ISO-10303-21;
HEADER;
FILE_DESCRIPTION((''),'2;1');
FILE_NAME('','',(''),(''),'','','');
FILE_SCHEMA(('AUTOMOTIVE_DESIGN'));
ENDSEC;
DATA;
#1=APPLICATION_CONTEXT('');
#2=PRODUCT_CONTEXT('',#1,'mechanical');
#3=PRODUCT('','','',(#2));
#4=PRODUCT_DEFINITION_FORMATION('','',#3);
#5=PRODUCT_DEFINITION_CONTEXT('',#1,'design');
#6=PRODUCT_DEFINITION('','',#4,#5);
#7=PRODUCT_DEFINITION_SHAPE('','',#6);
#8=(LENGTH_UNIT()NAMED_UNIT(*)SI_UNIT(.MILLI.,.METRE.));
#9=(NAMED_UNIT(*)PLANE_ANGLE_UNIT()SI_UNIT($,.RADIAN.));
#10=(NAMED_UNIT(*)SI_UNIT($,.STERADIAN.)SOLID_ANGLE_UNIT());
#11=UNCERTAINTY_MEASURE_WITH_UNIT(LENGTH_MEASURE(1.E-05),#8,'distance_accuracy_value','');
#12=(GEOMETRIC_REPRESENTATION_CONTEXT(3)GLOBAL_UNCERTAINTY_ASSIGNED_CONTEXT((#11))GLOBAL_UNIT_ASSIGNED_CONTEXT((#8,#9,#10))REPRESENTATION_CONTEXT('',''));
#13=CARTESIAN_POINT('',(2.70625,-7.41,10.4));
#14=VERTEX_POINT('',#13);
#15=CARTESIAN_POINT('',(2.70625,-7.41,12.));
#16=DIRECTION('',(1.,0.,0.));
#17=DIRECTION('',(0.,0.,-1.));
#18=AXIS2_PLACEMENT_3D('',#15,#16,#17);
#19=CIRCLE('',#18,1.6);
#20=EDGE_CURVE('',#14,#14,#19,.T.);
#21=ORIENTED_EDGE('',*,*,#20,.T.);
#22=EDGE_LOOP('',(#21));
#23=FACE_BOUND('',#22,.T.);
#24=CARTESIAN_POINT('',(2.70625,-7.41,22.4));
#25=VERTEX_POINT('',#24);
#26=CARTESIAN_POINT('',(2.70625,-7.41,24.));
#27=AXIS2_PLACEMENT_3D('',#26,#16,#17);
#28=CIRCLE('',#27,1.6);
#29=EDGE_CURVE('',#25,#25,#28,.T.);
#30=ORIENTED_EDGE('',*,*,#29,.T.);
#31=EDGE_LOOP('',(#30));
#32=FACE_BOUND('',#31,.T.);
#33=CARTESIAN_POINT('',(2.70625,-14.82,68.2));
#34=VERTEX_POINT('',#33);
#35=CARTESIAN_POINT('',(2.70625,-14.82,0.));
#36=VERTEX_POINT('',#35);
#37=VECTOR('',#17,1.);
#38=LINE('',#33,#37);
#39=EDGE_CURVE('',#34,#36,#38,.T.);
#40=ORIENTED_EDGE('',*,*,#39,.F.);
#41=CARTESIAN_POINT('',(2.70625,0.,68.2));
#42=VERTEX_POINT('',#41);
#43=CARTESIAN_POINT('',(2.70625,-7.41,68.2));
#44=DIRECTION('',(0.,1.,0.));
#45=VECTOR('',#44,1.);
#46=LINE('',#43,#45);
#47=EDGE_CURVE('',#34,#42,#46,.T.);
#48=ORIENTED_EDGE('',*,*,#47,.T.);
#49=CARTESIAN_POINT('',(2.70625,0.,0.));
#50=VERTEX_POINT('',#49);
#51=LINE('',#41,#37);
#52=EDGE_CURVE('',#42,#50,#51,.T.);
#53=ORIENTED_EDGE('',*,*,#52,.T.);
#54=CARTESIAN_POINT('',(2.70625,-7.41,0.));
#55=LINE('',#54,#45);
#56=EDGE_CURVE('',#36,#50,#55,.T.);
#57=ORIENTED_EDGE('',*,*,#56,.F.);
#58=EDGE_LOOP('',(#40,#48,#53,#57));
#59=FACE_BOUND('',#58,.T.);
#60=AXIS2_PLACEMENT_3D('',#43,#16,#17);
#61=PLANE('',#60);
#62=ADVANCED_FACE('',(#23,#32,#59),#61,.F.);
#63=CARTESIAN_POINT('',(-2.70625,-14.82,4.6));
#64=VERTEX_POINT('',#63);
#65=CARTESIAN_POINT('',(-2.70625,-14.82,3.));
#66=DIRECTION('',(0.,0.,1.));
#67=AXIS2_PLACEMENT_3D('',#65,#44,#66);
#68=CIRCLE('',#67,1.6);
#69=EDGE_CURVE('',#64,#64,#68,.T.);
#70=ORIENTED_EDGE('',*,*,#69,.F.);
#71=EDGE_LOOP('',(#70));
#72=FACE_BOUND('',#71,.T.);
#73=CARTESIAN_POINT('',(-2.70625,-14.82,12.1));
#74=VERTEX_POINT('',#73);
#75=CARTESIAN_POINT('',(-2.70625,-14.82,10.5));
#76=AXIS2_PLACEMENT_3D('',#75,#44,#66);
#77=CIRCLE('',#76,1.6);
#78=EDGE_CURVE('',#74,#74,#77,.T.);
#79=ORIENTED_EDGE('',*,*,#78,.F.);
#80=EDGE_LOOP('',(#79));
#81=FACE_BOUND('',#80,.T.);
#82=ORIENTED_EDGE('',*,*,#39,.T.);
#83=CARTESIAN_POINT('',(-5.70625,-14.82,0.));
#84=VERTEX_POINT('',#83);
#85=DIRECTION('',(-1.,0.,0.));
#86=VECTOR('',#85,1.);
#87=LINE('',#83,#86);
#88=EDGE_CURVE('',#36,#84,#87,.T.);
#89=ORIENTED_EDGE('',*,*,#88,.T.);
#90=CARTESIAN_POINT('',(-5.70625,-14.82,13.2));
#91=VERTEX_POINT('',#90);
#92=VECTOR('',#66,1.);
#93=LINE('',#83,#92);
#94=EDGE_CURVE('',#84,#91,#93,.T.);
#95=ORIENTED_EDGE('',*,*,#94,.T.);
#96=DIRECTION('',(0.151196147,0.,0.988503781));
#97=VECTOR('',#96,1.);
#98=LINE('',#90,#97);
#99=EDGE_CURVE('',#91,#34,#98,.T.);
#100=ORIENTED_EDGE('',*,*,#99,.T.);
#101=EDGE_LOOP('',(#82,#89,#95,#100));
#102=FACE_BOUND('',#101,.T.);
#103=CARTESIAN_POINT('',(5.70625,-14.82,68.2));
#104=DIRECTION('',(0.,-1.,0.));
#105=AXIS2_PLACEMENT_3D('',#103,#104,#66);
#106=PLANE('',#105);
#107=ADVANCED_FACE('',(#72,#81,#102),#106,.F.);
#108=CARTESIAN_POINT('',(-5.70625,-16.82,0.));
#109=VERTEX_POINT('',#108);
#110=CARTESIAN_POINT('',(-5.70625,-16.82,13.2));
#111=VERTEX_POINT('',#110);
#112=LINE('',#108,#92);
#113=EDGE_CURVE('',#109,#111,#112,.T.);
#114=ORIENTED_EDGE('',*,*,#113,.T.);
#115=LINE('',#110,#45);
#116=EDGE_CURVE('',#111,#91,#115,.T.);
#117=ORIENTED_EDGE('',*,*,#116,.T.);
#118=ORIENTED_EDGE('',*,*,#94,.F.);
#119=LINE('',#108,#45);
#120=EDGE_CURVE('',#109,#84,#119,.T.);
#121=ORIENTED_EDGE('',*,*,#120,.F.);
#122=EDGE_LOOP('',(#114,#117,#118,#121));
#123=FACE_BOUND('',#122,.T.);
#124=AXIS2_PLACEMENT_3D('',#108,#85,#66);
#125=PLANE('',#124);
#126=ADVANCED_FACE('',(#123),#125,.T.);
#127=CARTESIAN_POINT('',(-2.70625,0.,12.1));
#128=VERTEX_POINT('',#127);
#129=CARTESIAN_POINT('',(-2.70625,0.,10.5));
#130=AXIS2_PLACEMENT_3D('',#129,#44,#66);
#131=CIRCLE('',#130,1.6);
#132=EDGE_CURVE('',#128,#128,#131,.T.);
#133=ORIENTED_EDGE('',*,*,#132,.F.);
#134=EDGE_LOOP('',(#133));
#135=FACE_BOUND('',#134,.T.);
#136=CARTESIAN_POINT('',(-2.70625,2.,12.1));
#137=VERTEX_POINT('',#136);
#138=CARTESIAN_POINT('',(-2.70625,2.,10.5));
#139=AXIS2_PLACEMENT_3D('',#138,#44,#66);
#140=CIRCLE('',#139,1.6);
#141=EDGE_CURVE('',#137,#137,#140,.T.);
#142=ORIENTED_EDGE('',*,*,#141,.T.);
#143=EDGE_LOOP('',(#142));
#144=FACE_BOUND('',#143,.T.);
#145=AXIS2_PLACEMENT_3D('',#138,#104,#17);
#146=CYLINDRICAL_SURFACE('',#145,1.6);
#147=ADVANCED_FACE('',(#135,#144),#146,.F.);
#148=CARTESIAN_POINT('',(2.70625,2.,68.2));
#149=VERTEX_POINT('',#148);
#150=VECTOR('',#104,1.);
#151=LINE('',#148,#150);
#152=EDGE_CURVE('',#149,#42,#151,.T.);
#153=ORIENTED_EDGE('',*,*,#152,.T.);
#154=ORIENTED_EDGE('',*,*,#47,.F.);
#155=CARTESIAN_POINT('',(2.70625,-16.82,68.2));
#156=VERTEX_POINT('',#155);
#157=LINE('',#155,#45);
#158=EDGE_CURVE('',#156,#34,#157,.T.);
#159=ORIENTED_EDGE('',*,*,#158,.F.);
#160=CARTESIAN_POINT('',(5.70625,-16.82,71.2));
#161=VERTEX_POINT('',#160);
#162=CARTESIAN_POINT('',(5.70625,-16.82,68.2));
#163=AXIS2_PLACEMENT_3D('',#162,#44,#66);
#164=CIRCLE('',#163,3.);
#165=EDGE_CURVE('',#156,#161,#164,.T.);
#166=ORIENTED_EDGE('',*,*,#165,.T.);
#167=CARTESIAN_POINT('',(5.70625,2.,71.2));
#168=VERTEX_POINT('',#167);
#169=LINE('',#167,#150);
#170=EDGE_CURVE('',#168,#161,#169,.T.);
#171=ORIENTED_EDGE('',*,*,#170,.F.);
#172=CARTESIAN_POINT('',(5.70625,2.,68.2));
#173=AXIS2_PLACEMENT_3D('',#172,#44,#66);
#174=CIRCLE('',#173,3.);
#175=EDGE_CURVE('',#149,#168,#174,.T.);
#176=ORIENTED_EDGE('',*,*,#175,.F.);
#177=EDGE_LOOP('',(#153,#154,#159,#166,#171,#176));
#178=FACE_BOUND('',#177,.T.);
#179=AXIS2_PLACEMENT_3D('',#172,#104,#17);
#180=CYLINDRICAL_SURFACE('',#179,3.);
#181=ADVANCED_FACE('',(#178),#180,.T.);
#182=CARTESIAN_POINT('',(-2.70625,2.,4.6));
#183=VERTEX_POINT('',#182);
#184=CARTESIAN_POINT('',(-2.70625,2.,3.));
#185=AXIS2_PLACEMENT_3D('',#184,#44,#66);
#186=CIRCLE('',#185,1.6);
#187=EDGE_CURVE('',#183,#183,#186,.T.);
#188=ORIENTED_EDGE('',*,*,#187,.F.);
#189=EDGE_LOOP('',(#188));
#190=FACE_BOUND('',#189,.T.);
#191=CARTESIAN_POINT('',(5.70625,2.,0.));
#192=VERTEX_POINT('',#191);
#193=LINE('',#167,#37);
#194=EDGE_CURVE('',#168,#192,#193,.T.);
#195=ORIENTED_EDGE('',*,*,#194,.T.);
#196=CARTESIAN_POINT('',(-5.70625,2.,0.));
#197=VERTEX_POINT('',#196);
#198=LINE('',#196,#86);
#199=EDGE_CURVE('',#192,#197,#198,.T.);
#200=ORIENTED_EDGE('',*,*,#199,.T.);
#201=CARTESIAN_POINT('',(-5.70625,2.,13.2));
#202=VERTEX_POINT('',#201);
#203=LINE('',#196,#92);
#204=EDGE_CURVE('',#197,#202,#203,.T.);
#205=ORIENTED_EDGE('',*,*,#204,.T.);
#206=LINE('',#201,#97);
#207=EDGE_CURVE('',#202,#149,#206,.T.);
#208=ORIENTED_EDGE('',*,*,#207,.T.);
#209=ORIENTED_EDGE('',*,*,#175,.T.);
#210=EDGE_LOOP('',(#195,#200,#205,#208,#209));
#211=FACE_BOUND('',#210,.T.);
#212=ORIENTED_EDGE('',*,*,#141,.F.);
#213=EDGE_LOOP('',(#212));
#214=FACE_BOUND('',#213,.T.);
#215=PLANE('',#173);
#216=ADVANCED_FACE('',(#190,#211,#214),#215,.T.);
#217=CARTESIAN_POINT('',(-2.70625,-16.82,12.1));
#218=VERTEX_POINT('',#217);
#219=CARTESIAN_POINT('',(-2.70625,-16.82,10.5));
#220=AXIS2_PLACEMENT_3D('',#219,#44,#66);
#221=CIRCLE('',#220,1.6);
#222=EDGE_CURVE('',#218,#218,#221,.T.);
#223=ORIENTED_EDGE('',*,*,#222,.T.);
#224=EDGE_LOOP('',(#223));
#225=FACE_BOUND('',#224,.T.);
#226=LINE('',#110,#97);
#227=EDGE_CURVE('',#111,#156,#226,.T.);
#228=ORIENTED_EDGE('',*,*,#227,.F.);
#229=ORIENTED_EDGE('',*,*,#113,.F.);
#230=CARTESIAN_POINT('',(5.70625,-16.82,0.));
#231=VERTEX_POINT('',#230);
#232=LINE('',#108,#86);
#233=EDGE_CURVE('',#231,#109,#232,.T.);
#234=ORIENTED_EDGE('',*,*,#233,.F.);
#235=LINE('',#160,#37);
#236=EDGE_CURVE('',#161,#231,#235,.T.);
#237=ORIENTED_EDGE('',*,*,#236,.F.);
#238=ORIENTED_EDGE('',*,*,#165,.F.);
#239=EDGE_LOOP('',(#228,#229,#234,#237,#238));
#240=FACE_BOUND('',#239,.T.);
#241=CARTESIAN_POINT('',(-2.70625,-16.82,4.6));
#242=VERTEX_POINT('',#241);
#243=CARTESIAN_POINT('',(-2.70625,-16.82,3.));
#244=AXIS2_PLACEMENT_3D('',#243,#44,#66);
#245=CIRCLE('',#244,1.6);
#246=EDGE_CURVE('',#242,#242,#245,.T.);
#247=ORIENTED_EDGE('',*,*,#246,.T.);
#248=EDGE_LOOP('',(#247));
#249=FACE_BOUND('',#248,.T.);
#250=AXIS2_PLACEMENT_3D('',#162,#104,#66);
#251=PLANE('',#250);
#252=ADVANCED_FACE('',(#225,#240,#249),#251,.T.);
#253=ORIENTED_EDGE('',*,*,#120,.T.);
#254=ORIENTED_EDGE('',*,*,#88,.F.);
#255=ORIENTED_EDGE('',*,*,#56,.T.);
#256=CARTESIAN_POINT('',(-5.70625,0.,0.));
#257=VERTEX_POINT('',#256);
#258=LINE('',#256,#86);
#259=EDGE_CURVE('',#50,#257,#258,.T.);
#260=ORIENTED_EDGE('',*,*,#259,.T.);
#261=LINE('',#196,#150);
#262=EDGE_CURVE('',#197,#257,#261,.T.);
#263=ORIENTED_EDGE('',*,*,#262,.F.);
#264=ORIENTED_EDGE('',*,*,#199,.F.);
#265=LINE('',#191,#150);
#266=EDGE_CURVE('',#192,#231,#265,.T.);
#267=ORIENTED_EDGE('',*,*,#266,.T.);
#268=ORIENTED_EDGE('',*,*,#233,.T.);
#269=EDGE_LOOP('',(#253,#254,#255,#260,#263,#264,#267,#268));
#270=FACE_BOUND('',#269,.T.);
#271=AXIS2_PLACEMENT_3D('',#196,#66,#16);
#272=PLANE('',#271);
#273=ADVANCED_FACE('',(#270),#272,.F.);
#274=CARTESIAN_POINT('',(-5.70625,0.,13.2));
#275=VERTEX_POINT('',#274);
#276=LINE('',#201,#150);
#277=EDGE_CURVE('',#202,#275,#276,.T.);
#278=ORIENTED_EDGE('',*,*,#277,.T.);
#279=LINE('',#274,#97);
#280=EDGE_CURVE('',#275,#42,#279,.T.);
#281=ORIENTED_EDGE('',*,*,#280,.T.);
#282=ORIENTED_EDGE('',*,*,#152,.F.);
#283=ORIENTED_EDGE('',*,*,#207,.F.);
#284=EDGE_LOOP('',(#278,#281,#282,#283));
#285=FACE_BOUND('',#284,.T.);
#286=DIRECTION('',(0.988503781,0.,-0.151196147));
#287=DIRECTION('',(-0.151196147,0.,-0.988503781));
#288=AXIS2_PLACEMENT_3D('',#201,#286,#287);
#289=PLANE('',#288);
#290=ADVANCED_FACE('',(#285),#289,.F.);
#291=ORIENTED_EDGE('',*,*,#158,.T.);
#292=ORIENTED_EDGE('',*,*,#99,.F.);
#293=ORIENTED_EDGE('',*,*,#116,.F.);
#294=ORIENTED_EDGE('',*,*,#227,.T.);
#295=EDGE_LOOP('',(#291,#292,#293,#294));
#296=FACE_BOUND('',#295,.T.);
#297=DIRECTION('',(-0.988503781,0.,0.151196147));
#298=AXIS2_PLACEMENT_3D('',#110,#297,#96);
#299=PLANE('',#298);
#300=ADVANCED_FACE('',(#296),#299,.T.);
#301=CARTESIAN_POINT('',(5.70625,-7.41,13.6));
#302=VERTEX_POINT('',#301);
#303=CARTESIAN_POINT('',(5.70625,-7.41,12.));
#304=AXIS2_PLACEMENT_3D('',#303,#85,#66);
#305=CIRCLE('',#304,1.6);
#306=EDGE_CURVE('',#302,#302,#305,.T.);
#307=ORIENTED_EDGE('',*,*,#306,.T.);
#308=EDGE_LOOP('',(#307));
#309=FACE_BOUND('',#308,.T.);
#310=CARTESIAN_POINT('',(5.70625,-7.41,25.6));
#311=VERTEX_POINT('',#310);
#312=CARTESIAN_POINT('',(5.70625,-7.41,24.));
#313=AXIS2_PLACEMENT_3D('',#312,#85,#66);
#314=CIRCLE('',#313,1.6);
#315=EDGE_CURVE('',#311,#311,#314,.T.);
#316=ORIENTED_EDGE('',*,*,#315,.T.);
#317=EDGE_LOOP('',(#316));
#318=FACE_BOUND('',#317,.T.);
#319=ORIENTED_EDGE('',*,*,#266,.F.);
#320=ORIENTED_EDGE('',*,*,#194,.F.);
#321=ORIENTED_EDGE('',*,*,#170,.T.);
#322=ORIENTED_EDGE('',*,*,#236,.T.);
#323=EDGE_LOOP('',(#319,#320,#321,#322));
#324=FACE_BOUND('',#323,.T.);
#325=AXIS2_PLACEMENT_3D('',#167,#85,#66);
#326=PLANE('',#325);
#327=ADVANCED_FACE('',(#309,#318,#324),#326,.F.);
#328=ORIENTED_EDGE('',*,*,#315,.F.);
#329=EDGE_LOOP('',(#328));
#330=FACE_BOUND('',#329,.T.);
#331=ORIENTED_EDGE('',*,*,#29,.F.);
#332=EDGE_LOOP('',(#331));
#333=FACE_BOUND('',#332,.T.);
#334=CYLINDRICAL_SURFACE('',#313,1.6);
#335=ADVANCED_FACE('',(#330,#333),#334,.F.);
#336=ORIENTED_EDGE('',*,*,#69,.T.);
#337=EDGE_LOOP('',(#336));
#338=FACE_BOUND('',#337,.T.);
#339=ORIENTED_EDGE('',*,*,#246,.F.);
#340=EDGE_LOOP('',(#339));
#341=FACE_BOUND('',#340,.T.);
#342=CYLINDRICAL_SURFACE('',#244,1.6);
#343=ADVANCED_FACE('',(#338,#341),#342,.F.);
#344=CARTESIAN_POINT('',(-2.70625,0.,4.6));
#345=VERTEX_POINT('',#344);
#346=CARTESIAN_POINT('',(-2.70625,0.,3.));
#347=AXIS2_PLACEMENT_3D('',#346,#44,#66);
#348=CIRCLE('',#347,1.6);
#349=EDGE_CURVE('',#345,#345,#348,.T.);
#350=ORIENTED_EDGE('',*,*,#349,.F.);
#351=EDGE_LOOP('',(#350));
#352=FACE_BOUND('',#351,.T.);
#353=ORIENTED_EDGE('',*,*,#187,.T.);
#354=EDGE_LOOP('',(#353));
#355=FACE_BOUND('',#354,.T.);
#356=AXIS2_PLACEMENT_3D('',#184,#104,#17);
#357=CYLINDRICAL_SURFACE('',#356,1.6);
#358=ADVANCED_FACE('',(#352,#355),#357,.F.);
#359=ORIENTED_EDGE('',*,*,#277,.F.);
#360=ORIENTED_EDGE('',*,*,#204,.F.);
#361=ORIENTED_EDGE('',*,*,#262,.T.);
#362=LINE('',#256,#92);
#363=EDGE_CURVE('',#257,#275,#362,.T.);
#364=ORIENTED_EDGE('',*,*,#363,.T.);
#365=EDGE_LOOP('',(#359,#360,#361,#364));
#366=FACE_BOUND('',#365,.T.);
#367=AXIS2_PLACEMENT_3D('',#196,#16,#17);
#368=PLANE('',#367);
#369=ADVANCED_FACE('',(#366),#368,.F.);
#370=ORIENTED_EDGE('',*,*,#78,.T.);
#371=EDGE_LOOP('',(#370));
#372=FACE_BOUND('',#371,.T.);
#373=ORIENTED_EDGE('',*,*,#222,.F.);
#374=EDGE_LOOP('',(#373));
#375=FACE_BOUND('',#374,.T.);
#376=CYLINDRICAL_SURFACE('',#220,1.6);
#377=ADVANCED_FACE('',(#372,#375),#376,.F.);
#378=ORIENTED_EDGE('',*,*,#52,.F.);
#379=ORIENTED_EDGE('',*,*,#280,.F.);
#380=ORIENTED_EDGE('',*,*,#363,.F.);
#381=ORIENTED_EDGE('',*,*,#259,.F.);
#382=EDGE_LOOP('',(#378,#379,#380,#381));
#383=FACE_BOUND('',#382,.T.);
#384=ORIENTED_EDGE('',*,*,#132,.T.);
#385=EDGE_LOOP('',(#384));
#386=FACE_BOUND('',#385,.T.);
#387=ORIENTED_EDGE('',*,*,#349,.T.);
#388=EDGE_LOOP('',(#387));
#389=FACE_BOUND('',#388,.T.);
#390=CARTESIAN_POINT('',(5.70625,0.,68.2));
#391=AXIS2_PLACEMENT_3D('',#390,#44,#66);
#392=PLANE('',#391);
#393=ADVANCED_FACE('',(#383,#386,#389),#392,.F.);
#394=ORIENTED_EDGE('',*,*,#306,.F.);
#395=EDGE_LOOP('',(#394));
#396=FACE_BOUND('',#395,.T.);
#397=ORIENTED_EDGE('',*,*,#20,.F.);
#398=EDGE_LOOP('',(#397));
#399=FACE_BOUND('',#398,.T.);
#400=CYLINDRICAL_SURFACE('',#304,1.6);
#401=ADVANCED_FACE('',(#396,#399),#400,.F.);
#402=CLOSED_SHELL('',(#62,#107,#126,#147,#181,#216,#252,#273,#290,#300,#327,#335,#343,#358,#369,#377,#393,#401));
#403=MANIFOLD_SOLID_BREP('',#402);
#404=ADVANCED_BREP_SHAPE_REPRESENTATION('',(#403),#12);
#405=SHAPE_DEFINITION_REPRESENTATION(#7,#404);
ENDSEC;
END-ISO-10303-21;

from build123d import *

# Parameters (mm, degrees)
SKETCH1_R               = 1.6
BOSS_EXTRUDE1_DEPTH     = 2
BOSS_EXTRUDE2_START     = 7.41
BOSS_EXTRUDE2_DEPTH     = 7.41
CUT_EXTRUDE1_DEPTH      = 74.641853292
CUT_EXTRUDE1_DEPTH_BACK = 74.641853292
SKETCH3_R               = 1.6


with BuildPart() as part:
    # Sketch1 → Boss-Extrude1 (new body)
    with BuildSketch(Plane(origin=(0, 0, 0), x_dir=(1, 0, 0), z_dir=(0, 1, 0))):
        with BuildLine():
            Line((-5.70625, 0), (5.70625, 0))
            Line((5.70625, 0), (5.70625, -71.2))
            ThreePointArc((5.70625, -71.2), (3.584929656, -70.321320344), (2.70625, -68.2))
            Line((2.70625, -68.2), (-5.70625, -13.2))
            Line((-5.70625, -13.2), (-5.70625, 0))
        make_face()
        with Locations(Location((-2.70625, -3, 0), (0, 0, 270))):
            Circle(SKETCH1_R, mode=Mode.SUBTRACT)
        with Locations(Location((-2.70625, -10.5, 0), (0, 0, 270))):
            Circle(SKETCH1_R, mode=Mode.SUBTRACT)
    boss_extrude1 = extrude(amount=BOSS_EXTRUDE1_DEPTH)

    # Sketch2 → Boss-Extrude2 (add)
    with BuildSketch(Plane.XZ.offset(BOSS_EXTRUDE2_START)):
        with BuildLine():
            Line((5.70625, 71.2), (5.70625, 0))
            Line((5.70625, 0), (2.70625, 0))
            Line((2.70625, 0), (2.70625, 68.2))
            ThreePointArc((2.70625, 68.2), (3.584929656, 70.321320344), (5.70625, 71.2))
        make_face()
    boss_extrude2 = extrude(amount=-BOSS_EXTRUDE2_DEPTH)

    # Mirror6: Boss-Extrude2 across plane
    add(boss_extrude2.mirror(Plane(origin=(0, -7.41, 0), x_dir=(0, 0, 1), z_dir=(0, -1, 0))))

    # Mirror7: Boss-Extrude1 across plane
    add(boss_extrude1.mirror(Plane(origin=(0, -7.41, 0), x_dir=(0, 0, 1), z_dir=(0, -1, 0))))

    # Sketch3 → Cut-Extrude1 (cut, two sides: drawn at the far end of the back side and taken through both)
    with BuildSketch(Plane.ZY.offset(-2.70625).offset(-CUT_EXTRUDE1_DEPTH_BACK)):
        with Locations((24, -7.41)):
            Circle(SKETCH3_R)
        with Locations((12, -7.41)):
            Circle(SKETCH3_R)
    extrude(amount=CUT_EXTRUDE1_DEPTH + CUT_EXTRUDE1_DEPTH_BACK, mode=Mode.SUBTRACT)


solid = part.part
